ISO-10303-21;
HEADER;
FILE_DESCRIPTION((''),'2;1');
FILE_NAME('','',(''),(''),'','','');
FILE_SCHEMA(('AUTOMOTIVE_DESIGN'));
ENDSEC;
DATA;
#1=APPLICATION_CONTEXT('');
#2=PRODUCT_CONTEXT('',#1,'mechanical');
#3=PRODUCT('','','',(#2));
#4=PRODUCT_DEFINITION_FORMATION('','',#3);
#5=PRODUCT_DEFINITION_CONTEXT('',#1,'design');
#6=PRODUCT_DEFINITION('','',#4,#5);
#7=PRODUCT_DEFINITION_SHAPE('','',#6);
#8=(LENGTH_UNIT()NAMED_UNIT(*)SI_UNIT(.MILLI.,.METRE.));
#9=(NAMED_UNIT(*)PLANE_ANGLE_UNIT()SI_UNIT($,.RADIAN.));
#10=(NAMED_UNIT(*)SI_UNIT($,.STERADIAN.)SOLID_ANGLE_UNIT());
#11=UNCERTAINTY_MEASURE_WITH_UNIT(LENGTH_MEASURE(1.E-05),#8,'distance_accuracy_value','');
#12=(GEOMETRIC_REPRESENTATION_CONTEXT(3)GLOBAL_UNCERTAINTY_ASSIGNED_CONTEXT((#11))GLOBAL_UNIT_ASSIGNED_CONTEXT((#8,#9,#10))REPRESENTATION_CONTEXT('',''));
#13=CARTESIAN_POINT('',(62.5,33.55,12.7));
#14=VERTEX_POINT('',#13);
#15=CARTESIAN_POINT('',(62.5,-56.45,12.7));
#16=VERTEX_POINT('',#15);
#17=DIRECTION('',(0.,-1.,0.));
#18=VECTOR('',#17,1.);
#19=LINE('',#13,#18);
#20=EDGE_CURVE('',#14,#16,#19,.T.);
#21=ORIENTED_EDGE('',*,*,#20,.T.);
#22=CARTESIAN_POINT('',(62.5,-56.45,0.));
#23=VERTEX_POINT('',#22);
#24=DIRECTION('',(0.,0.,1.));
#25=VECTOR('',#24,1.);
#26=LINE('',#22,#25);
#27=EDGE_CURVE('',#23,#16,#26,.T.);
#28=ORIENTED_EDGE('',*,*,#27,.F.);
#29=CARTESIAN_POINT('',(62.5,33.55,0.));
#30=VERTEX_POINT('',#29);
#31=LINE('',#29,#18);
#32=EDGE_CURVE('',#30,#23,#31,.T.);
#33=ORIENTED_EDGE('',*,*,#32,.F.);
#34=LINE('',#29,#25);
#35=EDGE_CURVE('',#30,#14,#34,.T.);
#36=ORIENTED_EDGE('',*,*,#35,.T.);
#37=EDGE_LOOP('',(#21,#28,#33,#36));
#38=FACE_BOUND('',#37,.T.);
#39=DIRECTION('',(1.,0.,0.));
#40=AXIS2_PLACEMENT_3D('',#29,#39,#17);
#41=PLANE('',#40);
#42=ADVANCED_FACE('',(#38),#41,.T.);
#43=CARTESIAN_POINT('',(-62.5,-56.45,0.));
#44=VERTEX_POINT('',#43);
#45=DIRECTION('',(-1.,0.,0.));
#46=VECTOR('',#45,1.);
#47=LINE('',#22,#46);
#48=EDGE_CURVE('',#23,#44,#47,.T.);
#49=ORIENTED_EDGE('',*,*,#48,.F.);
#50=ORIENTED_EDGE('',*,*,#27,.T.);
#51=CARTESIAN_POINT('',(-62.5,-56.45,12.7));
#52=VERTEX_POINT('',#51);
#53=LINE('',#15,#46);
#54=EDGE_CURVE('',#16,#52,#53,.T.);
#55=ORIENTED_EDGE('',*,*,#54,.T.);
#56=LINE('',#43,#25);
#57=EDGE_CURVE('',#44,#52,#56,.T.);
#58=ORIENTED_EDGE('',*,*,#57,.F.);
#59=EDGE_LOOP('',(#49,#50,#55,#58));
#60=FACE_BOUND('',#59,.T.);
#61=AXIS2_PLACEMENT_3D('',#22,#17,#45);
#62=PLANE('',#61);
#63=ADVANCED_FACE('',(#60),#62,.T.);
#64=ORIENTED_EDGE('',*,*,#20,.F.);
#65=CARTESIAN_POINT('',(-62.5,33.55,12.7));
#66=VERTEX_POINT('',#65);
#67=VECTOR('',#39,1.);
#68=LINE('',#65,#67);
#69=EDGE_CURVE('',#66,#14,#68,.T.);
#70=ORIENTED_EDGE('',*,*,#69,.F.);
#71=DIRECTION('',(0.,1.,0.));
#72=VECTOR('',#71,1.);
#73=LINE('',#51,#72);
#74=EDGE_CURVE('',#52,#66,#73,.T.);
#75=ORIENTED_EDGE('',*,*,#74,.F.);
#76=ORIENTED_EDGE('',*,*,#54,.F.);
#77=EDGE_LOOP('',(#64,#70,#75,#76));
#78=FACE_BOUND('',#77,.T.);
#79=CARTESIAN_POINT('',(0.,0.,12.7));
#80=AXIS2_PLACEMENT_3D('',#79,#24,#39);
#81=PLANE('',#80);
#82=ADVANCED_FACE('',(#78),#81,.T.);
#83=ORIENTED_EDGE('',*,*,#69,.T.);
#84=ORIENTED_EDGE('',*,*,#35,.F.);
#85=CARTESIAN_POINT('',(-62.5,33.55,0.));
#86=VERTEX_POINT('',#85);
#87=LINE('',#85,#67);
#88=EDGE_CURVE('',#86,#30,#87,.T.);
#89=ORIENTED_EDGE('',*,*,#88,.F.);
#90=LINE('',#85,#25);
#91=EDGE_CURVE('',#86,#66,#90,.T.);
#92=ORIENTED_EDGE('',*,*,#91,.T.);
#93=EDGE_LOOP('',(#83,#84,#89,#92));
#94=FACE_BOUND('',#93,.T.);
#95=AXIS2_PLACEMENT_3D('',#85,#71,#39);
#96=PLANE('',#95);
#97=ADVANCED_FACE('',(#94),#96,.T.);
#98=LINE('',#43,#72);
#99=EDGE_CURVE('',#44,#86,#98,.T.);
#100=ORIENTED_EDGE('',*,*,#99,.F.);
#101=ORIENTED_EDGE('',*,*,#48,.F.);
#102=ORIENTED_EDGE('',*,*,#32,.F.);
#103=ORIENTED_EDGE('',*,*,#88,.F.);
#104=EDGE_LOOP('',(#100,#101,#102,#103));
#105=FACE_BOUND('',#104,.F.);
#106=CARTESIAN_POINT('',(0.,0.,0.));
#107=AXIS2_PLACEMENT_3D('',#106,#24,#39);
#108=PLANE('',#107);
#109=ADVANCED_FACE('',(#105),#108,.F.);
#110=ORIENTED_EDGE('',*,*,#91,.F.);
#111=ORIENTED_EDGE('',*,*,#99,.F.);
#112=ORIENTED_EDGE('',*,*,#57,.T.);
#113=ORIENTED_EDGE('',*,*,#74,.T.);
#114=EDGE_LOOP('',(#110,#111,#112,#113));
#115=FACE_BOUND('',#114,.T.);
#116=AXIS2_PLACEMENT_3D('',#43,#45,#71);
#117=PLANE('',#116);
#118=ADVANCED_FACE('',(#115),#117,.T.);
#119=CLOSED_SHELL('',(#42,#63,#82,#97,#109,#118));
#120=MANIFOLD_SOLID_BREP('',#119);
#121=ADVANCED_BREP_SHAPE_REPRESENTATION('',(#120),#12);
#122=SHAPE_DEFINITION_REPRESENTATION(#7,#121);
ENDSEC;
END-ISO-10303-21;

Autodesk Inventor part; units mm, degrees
ref_plane "YZ Plane" through (0, 0, 0) normal (1, 0, 0) x (0, 1, 0)
ref_plane "XZ Plane" through (0, 0, 0) normal (0, 1, 0) x (-1, 0, 0)
ref_plane "XY Plane" through (0, 0, 0) normal (0, 0, 1) x (1, 0, 0)
sketch "Esboço1" plane through (0, 0, 0) normal (0, 0, 1) x (1, 0, 0)
  line L0 (62.5, -56.45) -> (-62.5, -56.45)
  line L1 (-62.5, -56.45) -> (-62.5, 33.55)
  line L2 (-62.5, 33.55) -> (62.5, 33.55)
  line L3 (62.5, 33.55) -> (62.5, -56.45)
  point P0 (0, 0)
  dimension "d0" = 125
  dimension "d1" = 90
extrude "Extrusão1" add sketch "Esboço1" along normal blind 12.7
properties part number "CHAPA_APOIO_TRASEIRO_EIXO_X"
